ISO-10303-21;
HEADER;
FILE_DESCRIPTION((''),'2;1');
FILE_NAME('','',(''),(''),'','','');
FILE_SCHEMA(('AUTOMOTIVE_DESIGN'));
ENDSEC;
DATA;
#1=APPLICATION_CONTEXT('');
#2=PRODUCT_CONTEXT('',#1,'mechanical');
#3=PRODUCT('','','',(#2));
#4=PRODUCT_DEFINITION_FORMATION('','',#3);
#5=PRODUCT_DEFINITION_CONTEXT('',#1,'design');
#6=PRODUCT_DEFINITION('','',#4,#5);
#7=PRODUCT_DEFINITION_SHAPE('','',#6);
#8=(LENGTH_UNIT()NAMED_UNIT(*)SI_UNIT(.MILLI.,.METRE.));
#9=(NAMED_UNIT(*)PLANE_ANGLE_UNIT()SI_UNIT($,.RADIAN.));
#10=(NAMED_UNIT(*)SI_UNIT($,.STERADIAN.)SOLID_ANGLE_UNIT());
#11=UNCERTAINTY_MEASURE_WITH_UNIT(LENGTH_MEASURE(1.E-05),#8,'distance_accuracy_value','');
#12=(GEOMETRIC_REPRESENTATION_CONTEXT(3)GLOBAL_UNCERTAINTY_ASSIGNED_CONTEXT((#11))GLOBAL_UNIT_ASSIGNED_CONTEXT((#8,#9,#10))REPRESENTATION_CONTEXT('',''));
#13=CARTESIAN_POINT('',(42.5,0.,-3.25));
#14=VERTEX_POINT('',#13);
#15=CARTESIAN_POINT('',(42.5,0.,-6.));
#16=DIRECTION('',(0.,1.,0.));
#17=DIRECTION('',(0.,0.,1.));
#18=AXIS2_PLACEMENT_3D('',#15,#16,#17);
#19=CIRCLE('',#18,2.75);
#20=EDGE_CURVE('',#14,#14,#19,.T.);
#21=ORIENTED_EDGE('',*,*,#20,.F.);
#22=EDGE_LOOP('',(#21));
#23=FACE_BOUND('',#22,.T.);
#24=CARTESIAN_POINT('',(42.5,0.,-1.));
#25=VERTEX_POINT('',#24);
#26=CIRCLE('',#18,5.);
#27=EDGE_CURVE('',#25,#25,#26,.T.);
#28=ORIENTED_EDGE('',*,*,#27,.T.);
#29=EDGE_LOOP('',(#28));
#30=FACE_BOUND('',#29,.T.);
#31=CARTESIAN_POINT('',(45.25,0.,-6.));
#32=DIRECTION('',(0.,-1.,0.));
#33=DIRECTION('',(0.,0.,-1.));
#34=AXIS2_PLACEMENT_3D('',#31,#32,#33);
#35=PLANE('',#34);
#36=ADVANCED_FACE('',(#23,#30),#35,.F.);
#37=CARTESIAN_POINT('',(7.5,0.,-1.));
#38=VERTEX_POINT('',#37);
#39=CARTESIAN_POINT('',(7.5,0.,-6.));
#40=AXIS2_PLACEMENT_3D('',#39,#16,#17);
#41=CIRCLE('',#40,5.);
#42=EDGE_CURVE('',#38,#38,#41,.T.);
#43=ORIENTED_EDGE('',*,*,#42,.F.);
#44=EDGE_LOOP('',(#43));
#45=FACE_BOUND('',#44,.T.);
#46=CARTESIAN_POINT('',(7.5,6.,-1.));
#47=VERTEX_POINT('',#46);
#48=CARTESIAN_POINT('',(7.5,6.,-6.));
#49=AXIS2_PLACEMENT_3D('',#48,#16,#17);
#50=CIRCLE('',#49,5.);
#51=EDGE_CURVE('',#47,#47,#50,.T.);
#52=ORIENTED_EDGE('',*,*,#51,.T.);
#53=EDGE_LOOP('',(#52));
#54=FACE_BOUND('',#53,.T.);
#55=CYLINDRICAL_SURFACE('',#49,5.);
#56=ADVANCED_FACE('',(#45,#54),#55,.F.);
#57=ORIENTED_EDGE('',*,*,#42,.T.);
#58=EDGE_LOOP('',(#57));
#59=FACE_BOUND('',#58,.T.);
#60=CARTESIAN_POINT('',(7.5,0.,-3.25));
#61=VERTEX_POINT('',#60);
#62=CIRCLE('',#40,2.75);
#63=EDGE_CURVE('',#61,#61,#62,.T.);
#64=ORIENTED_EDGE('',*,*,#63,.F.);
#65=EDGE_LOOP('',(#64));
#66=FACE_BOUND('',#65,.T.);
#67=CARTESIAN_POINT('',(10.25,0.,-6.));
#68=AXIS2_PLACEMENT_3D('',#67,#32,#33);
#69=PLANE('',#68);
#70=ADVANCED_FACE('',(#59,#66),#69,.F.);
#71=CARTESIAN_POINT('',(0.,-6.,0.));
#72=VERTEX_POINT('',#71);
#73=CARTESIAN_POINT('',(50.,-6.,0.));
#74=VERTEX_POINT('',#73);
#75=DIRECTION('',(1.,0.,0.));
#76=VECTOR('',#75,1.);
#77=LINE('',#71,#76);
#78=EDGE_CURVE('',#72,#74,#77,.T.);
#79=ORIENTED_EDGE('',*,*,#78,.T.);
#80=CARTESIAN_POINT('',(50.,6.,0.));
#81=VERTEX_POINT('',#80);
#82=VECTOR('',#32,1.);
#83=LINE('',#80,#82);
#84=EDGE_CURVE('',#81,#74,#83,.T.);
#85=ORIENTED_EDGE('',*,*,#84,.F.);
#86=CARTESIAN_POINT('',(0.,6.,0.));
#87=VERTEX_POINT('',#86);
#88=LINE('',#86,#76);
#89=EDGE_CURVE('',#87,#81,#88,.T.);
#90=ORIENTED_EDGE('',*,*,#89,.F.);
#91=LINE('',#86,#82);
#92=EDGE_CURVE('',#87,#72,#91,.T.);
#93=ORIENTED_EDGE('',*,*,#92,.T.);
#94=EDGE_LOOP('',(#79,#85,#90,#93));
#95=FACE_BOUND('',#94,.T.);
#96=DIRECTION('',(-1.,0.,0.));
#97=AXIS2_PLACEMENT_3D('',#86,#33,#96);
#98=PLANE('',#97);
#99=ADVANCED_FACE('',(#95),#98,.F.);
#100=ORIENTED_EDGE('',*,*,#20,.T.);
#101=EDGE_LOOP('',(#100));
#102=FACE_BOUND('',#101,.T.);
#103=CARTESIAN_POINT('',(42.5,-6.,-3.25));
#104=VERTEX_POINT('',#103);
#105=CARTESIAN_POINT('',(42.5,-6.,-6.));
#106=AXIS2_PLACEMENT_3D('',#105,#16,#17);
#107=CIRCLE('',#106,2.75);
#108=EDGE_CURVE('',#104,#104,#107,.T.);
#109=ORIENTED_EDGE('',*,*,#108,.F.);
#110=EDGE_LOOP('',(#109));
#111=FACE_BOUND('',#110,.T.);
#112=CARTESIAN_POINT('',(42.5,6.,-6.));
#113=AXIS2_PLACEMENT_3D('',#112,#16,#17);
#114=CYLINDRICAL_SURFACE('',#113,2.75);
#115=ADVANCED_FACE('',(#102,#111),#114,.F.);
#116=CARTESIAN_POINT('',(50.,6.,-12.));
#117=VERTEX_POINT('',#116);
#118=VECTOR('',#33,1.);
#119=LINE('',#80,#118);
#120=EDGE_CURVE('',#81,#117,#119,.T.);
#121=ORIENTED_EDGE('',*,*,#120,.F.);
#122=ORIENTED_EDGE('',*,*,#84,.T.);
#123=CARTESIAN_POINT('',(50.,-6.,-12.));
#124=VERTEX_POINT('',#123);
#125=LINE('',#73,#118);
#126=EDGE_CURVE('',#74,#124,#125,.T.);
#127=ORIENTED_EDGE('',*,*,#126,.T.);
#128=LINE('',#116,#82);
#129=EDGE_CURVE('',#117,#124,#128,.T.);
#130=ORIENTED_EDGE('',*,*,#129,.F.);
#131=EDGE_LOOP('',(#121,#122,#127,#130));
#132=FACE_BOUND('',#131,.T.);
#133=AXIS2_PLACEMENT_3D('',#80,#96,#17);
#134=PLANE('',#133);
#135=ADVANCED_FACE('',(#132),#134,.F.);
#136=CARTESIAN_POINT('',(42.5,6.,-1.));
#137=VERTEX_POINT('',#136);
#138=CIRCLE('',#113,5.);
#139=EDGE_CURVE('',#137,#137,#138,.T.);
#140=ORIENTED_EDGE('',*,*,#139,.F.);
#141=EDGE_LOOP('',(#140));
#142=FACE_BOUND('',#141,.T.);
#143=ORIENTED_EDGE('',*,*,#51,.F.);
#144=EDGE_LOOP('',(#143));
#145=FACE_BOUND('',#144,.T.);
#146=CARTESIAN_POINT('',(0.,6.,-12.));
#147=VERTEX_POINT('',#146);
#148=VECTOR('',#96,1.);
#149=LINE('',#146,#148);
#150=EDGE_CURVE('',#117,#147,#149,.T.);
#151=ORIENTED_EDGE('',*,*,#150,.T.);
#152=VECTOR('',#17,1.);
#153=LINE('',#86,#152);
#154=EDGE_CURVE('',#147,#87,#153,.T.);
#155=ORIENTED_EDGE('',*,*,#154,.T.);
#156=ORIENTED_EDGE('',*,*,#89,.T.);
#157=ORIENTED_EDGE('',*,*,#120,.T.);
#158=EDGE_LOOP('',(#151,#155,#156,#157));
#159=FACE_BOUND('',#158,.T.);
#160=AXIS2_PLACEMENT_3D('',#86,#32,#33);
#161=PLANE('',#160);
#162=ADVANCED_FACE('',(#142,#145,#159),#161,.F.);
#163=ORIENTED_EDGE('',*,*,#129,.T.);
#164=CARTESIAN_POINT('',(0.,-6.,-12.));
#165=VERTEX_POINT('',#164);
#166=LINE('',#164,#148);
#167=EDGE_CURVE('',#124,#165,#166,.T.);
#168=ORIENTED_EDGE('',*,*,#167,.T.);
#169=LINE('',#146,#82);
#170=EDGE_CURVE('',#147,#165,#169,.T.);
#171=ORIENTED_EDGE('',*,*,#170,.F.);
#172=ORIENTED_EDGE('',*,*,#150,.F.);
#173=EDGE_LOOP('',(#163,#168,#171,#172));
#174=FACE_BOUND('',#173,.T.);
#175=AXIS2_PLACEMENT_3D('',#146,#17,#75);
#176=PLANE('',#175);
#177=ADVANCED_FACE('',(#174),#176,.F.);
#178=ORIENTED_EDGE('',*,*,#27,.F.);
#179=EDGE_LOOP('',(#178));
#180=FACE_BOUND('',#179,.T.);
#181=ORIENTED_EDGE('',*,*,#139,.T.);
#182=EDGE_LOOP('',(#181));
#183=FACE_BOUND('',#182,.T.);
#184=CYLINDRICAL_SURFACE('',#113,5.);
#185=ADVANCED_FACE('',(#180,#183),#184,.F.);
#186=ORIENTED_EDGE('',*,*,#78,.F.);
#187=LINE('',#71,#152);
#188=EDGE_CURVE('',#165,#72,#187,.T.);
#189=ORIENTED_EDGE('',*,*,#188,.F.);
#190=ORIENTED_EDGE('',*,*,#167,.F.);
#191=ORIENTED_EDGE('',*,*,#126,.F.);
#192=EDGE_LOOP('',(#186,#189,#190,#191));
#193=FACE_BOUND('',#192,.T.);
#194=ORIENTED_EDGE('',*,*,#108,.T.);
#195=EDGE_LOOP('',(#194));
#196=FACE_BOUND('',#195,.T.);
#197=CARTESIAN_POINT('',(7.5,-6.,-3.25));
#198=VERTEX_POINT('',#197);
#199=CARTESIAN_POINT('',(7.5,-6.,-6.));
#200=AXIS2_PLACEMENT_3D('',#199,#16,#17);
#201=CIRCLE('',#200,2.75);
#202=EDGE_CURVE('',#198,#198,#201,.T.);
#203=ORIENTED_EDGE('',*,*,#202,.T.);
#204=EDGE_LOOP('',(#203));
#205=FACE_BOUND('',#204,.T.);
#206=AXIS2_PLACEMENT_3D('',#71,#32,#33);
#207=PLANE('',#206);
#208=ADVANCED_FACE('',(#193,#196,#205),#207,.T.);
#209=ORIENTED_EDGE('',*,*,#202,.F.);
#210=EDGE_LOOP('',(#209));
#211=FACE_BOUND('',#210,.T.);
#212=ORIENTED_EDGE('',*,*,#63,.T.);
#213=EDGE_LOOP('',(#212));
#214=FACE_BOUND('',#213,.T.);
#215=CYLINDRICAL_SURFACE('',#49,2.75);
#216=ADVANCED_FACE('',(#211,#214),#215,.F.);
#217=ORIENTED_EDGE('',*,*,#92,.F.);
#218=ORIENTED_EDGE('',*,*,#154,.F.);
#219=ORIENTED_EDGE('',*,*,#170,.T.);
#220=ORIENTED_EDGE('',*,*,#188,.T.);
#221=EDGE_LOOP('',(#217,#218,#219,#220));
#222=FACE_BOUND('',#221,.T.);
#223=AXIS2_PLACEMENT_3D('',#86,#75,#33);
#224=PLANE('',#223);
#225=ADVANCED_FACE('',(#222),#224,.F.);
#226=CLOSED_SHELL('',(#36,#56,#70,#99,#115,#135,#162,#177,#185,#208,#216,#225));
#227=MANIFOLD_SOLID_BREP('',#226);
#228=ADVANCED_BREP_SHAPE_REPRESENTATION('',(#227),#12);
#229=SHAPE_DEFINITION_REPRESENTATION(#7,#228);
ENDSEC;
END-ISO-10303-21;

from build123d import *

# Parameters (mm, degrees)
SKETCH1_W                                           = 50
SKETCH1_H                                           = 12
BOSS_EXTRUDE1_DEPTH                                 = 6
CBORE_FOR_M5_HEX_SOCKET_HEAD_CAP_SCREW1_D           = 5.5
CBORE_FOR_M5_HEX_SOCKET_HEAD_CAP_SCREW1_CBORE_D     = 10
CBORE_FOR_M5_HEX_SOCKET_HEAD_CAP_SCREW1_CBORE_DEPTH = 6


with BuildPart() as part:
    # Sketch1 → Boss-Extrude1 (new, symmetric)
    with BuildSketch(Plane(origin=(0, 0, 0), x_dir=(1, 0, 0), z_dir=(0, 1, 0))):
        with Locations((25, 6)):
            Rectangle(SKETCH1_W, SKETCH1_H)
    extrude(amount=BOSS_EXTRUDE1_DEPTH, both=True)

    # CBORE for M5 Hex Socket Head Cap Screw1 (through all)
    with Locations(Plane(origin=(0, 6, 0), x_dir=(1, 0, 0), z_dir=(0, 1, 0))):
        with Locations((42.5, 6), (7.5, 6)):
            CounterBoreHole(CBORE_FOR_M5_HEX_SOCKET_HEAD_CAP_SCREW1_D / 2, CBORE_FOR_M5_HEX_SOCKET_HEAD_CAP_SCREW1_CBORE_D / 2, CBORE_FOR_M5_HEX_SOCKET_HEAD_CAP_SCREW1_CBORE_DEPTH)


solid = part.part
